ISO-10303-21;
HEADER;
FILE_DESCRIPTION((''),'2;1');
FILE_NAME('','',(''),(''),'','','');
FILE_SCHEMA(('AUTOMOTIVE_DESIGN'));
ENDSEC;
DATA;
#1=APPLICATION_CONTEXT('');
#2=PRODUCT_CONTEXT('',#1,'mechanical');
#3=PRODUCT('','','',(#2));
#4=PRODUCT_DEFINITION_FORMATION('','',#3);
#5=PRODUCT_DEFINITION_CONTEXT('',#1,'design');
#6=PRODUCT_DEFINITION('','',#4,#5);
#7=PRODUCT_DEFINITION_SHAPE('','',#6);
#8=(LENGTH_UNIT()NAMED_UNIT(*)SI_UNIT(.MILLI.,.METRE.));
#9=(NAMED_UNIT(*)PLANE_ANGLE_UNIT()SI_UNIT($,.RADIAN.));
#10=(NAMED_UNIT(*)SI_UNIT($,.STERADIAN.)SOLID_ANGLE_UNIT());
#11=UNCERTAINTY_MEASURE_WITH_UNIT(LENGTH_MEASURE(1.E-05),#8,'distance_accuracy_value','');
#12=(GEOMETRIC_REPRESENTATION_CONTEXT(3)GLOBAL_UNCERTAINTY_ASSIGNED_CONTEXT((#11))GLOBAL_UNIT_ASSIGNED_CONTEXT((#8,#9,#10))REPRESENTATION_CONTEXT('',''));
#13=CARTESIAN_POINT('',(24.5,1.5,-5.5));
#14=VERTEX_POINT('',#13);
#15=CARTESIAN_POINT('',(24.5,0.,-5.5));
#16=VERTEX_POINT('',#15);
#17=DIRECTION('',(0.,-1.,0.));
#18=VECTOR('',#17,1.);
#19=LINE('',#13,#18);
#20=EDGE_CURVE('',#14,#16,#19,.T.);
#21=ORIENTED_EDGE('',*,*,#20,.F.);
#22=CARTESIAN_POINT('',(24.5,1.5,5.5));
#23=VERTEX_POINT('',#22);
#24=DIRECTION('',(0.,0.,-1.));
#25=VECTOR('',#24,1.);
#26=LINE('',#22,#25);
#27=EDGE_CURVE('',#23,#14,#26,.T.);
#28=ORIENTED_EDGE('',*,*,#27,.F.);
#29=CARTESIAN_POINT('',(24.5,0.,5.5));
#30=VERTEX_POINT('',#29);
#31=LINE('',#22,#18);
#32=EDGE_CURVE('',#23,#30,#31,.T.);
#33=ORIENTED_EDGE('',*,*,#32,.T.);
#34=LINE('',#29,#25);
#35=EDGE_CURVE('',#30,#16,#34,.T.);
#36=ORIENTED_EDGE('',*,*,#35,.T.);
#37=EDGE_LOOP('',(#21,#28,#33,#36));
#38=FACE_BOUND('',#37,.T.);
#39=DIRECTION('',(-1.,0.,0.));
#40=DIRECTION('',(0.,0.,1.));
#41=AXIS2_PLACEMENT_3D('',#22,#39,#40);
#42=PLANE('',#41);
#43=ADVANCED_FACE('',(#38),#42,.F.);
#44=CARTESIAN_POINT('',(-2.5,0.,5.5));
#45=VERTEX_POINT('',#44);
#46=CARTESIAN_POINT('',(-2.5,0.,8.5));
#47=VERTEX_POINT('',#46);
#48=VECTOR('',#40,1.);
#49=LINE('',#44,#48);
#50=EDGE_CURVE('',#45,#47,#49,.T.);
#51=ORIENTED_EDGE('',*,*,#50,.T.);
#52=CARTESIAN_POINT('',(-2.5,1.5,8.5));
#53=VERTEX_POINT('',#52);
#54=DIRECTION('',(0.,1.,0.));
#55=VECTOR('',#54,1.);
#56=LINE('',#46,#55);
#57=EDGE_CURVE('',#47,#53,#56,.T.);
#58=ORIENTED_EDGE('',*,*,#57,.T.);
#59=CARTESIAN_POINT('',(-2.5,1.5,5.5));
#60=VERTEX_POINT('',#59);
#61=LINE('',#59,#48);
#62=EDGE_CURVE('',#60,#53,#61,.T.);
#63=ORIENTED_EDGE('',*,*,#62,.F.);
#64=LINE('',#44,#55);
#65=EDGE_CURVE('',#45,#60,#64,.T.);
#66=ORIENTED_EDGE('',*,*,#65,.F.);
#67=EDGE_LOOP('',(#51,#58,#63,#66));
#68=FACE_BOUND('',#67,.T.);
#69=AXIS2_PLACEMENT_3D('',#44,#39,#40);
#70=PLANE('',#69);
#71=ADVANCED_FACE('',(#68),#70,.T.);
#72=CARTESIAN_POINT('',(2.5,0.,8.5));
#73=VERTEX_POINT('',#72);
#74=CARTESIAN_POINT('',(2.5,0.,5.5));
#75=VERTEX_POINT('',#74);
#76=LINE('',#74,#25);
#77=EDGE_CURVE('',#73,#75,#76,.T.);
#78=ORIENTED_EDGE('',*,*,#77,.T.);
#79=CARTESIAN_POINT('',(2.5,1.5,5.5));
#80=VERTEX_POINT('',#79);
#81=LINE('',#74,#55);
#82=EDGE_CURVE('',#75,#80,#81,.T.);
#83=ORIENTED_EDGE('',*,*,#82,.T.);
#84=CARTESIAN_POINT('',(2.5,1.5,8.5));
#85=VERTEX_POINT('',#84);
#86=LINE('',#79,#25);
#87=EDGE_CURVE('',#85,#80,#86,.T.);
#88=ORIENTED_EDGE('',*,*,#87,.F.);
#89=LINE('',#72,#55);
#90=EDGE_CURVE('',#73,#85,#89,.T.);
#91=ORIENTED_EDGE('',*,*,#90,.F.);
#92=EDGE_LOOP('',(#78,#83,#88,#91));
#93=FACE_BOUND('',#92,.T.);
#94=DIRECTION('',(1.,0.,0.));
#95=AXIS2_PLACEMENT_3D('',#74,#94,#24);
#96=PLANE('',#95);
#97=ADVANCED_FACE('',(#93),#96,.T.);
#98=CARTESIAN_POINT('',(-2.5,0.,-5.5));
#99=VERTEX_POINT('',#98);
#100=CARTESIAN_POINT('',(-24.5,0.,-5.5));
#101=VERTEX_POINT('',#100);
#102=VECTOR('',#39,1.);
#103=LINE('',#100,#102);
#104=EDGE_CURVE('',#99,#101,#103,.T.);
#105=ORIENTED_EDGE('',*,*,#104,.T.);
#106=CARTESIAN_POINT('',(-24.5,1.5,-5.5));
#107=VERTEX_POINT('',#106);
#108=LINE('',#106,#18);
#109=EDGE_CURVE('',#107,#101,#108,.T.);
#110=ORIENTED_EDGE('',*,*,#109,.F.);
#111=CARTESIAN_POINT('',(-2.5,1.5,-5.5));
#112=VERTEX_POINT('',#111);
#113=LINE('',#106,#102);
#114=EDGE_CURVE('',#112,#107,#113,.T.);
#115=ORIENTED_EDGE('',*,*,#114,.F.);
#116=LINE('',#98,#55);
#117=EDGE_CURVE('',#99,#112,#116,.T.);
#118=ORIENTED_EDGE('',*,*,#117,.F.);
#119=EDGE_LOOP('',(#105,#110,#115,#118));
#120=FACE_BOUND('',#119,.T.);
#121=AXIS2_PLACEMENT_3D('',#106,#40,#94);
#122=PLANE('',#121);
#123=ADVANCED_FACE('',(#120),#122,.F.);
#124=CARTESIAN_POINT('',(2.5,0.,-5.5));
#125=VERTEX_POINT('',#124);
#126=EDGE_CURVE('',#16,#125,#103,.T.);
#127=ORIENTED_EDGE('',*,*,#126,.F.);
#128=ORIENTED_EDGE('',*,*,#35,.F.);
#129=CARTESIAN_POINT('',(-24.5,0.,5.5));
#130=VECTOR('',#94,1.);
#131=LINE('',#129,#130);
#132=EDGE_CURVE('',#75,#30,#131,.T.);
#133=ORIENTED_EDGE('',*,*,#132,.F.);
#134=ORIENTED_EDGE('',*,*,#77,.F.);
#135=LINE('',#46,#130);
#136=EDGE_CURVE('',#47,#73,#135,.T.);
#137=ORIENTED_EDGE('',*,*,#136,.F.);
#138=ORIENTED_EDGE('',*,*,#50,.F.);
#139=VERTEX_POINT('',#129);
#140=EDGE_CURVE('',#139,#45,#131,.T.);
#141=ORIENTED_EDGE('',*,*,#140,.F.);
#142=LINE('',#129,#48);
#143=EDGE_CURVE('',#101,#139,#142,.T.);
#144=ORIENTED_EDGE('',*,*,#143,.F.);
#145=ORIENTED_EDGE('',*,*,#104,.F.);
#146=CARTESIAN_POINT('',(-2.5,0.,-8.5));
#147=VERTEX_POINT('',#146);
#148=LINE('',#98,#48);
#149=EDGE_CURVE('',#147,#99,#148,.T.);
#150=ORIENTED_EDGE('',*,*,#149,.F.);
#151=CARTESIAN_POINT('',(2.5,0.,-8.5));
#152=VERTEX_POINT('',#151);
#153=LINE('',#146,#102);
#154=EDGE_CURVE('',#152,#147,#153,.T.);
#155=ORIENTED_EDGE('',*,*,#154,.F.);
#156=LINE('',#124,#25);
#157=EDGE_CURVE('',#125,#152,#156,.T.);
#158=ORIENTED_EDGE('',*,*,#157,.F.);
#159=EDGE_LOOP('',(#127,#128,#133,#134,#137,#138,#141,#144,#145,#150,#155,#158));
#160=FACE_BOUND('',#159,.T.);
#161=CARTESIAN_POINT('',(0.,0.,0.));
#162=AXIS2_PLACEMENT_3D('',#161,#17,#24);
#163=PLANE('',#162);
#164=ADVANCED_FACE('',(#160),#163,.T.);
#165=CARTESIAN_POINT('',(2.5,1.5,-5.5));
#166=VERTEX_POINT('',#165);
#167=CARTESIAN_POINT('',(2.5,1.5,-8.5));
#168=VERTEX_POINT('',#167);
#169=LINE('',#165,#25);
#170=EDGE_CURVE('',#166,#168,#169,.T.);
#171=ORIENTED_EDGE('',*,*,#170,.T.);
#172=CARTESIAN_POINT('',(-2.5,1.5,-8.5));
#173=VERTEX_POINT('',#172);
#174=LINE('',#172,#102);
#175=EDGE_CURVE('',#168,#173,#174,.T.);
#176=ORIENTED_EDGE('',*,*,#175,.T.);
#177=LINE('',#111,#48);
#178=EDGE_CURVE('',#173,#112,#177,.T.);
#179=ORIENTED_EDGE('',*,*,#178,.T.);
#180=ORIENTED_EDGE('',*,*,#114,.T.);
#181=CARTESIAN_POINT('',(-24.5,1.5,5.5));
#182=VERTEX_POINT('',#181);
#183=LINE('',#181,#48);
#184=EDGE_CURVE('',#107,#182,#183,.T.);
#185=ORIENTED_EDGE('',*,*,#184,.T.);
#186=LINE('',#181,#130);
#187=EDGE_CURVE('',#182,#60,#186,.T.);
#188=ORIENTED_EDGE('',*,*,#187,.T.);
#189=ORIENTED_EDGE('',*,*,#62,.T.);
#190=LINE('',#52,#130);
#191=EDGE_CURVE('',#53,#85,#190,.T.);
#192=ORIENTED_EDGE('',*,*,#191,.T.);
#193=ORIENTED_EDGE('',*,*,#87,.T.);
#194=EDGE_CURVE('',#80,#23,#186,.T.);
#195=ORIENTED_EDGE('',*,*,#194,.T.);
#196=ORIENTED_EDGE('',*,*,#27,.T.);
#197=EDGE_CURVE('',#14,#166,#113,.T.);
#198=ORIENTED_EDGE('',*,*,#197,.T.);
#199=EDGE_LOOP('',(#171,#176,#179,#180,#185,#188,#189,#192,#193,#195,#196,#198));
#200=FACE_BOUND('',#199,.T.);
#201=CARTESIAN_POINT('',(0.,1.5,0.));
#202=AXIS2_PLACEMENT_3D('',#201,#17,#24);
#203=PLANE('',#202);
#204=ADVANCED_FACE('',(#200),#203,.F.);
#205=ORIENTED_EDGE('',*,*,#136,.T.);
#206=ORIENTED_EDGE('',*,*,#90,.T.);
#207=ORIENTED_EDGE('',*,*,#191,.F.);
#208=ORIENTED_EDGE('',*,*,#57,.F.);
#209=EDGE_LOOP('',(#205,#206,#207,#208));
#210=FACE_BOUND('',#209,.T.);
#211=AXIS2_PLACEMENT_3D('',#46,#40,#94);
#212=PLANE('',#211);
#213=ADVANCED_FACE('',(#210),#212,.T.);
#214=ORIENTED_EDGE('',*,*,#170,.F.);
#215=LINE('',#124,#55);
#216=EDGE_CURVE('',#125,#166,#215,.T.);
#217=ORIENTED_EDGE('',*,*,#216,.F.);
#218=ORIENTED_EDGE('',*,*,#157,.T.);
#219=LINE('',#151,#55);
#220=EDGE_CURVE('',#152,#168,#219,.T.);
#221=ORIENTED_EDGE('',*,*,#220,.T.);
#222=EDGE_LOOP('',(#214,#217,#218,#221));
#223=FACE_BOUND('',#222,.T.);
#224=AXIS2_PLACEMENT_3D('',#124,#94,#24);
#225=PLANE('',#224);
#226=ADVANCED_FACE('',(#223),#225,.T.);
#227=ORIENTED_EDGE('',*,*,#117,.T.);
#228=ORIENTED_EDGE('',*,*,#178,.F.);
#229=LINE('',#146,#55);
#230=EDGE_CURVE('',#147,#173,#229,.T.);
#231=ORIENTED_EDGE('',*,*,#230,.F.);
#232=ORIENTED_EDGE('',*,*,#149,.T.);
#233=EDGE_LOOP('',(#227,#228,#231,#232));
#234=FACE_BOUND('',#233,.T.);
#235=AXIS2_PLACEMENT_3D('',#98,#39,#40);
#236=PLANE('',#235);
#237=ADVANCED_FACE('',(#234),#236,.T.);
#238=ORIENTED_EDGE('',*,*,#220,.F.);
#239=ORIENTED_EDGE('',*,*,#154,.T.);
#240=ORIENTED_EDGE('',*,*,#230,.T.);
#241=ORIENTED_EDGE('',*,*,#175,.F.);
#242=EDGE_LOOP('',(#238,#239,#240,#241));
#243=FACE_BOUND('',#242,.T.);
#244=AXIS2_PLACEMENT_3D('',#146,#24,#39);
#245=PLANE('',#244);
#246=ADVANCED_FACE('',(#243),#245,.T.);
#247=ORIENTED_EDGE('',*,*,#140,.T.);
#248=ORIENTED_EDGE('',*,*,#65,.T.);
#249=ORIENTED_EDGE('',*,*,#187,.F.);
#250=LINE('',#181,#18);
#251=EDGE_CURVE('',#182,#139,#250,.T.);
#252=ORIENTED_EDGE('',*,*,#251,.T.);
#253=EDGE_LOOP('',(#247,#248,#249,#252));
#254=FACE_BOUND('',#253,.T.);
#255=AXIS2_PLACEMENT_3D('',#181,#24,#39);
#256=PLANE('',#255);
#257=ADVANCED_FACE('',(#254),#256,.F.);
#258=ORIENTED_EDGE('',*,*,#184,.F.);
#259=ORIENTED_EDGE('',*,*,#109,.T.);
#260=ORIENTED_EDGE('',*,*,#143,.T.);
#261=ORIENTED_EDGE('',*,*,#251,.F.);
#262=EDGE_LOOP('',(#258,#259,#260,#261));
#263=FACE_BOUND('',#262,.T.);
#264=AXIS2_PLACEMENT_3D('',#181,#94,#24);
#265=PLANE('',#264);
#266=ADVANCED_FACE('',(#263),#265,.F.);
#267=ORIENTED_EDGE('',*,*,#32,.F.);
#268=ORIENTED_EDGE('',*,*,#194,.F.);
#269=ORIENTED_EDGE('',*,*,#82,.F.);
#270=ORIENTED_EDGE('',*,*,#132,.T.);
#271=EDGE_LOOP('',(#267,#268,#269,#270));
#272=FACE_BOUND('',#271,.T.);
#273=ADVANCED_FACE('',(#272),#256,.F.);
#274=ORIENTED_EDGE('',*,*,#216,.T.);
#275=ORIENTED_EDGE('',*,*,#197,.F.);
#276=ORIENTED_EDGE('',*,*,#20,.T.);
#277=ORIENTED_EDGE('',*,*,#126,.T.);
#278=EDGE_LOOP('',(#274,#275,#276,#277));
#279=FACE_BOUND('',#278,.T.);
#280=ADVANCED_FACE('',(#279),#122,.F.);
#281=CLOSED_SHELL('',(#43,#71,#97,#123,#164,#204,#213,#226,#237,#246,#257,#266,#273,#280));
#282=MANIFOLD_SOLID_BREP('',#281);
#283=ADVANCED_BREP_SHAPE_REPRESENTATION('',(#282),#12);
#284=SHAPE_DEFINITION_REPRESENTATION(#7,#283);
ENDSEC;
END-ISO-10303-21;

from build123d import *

# Parameters (mm, degrees)
SKETCH1_W           = 49
SKETCH1_H           = 11
BOSS_EXTRUDE1_DEPTH = 1.5
SKETCH2_W           = 5
SKETCH2_H           = 3
BOSS_EXTRUDE2_DEPTH = 1.5
SKETCH3_W           = 5
SKETCH3_H           = 3
BOSS_EXTRUDE3_DEPTH = 1.5


with BuildPart() as part:
    # Sketch1 → Boss-Extrude1 (new body)
    with BuildSketch(Plane(origin=(0, 0, 0), x_dir=(1, 0, 0), z_dir=(0, 1, 0))):
        Rectangle(SKETCH1_W, SKETCH1_H)
    extrude(amount=BOSS_EXTRUDE1_DEPTH)

    # Sketch2 → Boss-Extrude2 (add)
    with BuildSketch(Plane(origin=(0, 1.5, 0), x_dir=(1, 0, 0), z_dir=(0, 1, 0))):
        with Locations((0, 7)):
            Rectangle(SKETCH2_W, SKETCH2_H)
    extrude(amount=-BOSS_EXTRUDE2_DEPTH)

    # Sketch3 → Boss-Extrude3 (add)
    with BuildSketch(Plane(origin=(0, 1.5, 0), x_dir=(1, 0, 0), z_dir=(0, 1, 0))):
        with Locations((0, -7)):
            Rectangle(SKETCH3_W, SKETCH3_H)
    extrude(amount=-BOSS_EXTRUDE3_DEPTH)


solid = part.part
